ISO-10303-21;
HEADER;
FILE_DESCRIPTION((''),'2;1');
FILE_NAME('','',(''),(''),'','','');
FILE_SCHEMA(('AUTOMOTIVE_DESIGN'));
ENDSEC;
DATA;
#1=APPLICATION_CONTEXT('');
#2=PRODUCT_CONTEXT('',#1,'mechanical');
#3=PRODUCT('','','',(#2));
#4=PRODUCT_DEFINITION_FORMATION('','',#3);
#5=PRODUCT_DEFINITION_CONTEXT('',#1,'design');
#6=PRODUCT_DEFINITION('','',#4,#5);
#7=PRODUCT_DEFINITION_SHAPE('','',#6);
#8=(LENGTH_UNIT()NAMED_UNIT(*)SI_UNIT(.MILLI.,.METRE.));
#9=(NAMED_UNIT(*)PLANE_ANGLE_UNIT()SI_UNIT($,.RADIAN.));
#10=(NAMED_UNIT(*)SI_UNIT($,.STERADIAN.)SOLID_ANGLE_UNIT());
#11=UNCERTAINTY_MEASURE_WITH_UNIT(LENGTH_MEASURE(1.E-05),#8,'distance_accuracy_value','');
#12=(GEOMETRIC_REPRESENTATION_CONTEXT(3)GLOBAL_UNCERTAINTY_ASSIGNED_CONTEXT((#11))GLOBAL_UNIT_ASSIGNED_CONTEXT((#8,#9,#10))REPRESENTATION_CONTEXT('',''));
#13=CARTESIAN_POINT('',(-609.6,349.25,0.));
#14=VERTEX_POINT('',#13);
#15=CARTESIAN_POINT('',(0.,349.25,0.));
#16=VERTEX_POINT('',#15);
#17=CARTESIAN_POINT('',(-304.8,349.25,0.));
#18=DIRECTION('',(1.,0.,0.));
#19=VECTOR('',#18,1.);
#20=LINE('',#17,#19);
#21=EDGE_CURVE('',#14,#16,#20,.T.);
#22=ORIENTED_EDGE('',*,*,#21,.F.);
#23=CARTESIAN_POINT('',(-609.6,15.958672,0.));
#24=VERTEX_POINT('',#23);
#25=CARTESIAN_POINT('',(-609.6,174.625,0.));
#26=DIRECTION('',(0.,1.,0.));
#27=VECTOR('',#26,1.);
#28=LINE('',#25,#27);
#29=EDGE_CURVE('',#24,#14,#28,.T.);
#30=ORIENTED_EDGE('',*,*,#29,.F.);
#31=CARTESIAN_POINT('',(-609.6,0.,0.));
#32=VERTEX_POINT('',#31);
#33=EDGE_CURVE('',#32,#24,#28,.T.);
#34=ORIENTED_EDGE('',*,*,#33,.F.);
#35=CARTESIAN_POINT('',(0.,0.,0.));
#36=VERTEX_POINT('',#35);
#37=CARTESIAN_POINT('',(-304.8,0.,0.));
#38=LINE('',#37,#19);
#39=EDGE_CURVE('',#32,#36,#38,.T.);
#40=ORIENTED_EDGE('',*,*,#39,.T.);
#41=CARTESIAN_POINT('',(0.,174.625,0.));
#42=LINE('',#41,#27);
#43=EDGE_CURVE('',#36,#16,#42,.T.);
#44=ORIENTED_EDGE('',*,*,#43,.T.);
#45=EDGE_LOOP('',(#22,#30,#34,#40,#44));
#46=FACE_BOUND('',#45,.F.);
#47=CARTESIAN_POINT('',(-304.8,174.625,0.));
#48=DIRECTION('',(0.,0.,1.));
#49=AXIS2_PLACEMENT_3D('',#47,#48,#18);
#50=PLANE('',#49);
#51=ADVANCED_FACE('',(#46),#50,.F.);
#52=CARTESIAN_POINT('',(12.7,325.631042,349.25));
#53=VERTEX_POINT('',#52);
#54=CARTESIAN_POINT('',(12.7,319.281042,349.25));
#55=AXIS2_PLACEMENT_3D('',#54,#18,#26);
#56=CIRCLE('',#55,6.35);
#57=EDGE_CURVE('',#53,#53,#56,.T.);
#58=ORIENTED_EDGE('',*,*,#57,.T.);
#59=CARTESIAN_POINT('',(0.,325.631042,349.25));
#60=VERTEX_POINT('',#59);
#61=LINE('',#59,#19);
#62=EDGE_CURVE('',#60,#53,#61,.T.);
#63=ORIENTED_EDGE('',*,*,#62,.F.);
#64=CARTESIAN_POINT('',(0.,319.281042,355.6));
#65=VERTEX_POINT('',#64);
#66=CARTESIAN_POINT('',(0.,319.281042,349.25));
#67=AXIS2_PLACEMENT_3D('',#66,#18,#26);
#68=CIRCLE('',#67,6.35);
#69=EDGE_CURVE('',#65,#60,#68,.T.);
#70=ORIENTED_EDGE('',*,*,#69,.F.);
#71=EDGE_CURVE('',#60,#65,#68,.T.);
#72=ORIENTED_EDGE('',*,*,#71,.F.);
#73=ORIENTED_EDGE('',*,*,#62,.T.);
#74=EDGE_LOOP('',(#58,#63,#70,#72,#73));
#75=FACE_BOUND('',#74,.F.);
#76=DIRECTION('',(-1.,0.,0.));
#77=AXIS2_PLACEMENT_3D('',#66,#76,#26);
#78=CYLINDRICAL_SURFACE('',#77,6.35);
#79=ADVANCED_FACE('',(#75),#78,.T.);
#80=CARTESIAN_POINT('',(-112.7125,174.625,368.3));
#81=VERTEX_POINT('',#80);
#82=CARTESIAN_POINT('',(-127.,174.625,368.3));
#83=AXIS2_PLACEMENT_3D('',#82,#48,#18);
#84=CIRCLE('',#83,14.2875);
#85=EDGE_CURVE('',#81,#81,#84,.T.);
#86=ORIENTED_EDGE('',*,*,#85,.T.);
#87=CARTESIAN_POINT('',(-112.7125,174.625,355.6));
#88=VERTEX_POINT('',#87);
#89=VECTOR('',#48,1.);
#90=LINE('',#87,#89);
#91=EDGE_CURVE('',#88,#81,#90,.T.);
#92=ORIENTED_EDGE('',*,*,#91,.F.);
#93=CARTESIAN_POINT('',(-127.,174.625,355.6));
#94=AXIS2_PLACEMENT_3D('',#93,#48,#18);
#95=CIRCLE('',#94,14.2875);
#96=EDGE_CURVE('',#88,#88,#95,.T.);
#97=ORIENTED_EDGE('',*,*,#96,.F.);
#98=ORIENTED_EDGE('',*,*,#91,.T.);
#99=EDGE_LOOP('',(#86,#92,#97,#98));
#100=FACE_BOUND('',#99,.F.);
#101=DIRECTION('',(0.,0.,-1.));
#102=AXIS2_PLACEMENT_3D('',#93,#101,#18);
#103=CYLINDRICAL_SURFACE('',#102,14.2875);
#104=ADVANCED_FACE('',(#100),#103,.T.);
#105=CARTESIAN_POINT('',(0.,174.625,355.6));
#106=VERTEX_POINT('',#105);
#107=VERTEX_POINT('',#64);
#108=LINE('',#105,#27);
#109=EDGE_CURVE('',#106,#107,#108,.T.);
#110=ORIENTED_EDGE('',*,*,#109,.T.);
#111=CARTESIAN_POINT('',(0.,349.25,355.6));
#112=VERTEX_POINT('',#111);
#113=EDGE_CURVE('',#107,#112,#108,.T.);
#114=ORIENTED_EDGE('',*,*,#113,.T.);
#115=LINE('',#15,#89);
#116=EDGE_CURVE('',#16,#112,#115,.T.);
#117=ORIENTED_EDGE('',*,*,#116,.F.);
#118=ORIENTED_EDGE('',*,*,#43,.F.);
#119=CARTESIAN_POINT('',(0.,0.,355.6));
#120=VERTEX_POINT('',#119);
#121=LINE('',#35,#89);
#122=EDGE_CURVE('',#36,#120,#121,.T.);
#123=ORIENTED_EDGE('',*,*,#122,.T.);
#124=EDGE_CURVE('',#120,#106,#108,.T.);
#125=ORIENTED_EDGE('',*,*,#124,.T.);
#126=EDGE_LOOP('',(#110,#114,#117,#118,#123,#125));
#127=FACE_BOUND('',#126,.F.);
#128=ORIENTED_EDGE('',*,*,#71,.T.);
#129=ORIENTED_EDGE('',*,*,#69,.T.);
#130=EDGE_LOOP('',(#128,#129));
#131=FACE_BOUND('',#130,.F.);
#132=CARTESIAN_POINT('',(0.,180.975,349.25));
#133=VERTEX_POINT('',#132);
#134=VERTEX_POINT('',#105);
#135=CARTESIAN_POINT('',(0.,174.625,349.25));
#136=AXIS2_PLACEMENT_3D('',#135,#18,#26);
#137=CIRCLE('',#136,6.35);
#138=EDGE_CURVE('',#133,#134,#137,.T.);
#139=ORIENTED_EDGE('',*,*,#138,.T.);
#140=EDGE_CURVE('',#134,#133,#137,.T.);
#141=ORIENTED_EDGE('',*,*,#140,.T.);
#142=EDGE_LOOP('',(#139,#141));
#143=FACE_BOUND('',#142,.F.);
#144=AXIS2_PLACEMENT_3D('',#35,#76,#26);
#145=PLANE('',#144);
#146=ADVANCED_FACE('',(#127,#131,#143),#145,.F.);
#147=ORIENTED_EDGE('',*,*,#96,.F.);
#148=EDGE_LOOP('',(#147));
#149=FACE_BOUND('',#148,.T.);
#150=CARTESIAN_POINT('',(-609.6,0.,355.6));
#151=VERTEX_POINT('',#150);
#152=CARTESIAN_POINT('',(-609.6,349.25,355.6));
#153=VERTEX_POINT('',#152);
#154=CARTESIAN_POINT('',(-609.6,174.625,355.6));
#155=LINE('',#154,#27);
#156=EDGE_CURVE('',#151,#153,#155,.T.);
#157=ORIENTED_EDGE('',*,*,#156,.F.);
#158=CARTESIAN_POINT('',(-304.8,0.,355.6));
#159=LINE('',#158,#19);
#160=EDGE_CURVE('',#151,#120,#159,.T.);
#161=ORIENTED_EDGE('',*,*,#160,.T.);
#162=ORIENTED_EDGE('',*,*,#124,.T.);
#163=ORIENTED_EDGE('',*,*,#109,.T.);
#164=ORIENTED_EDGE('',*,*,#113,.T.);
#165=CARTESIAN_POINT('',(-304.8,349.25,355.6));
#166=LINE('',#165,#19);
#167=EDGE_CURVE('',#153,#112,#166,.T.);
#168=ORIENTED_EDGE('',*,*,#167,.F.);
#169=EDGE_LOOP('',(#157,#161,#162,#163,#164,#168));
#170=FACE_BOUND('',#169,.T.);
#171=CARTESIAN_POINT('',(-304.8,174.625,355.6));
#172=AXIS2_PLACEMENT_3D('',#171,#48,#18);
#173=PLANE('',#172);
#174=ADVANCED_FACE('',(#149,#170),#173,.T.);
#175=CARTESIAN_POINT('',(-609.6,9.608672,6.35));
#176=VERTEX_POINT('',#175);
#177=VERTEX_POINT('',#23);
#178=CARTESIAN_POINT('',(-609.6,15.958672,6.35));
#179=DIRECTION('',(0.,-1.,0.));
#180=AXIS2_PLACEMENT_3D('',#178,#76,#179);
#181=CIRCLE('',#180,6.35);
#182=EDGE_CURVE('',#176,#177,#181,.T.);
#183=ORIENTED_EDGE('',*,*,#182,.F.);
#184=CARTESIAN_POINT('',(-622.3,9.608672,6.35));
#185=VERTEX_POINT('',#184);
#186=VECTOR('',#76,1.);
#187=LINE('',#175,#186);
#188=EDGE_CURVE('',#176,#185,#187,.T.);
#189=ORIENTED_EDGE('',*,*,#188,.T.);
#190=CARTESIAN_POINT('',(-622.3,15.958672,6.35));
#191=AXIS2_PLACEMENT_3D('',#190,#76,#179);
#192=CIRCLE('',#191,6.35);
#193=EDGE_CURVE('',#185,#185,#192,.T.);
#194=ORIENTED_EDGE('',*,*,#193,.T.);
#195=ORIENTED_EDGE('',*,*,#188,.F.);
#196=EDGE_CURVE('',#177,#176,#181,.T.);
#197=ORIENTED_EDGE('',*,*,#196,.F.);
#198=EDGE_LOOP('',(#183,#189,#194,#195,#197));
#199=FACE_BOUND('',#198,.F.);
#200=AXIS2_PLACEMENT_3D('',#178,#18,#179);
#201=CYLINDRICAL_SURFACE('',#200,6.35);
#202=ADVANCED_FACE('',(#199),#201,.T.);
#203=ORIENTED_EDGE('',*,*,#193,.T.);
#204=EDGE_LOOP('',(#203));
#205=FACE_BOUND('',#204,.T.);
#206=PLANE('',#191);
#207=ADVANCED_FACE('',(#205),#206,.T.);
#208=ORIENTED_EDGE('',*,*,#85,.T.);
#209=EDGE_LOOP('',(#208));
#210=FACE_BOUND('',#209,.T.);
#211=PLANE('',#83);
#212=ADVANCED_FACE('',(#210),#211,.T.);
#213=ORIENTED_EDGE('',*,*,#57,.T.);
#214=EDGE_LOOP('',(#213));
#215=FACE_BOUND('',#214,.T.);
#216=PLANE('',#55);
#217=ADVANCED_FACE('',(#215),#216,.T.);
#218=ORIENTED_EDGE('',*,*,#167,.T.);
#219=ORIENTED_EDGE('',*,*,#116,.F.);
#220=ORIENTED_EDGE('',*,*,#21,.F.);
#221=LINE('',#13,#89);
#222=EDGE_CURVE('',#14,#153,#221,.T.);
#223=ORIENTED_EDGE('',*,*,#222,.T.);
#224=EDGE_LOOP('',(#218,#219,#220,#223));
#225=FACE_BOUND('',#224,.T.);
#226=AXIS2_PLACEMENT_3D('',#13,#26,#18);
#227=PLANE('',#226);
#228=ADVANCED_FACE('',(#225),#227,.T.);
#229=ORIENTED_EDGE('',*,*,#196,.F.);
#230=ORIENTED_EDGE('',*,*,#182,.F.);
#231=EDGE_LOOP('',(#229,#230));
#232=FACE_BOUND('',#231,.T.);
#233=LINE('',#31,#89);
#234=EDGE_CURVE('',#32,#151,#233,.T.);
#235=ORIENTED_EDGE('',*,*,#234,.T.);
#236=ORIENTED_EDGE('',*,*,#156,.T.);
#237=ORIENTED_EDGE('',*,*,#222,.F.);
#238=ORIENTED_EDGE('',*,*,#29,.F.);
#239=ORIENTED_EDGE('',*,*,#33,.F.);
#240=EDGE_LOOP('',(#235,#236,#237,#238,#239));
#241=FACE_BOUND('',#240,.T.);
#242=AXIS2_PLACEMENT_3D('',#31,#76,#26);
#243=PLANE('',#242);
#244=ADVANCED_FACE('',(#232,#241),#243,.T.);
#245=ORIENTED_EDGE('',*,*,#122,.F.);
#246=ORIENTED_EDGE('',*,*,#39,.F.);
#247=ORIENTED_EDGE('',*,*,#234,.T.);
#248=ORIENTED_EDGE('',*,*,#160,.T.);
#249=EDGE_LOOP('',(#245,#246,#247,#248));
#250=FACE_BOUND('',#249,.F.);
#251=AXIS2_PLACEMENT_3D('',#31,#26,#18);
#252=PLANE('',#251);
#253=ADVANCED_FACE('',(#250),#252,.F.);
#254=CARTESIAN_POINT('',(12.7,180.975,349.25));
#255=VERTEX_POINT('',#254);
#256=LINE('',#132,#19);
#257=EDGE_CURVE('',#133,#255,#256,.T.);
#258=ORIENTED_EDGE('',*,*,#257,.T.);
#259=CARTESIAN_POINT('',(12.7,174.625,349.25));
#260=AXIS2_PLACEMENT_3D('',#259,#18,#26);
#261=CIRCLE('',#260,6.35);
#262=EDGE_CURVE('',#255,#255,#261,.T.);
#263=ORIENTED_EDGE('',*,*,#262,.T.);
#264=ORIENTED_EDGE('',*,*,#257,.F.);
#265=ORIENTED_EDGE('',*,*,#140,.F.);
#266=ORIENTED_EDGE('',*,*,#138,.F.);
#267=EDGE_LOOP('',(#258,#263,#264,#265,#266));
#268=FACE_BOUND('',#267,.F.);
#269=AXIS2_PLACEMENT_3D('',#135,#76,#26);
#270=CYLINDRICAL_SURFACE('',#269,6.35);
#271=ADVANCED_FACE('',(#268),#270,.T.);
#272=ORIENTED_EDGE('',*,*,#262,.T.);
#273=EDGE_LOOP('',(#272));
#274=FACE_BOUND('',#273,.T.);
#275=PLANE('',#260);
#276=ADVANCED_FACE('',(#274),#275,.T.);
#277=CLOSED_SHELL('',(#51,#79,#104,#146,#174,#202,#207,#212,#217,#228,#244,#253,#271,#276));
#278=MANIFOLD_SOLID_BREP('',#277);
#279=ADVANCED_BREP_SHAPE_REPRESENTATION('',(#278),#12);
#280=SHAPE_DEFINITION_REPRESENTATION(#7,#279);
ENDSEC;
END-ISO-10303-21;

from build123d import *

# Parameters (mm, degrees)
F0_W     = 609.6
F0_H     = 349.25
F1_DEPTH = 355.6
F3_DEPTH = 12.7
F4_R     = 6.35
F5_DEPTH = 12.7
F6_R     = 6.35
F7_DEPTH = 12.7


with BuildPart() as f1:
    # F0 (on Top) → F1 (new body)
    with BuildSketch(Plane.XY):
        with Locations((-304.8, 174.625)):
            Rectangle(F0_W, F0_H)
    extrude(amount=F1_DEPTH)

    # F2 (on face) → F3 (join)
    with BuildSketch(Plane.XY.offset(355.6)):
        with BuildLine():
            ThreePointArc((-141.2875, 174.625), (-127, 160.3375), (-112.7125, 174.625))
            ThreePointArc((-112.7125, 174.625), (-127, 188.9125), (-141.2875, 174.625))
        make_face()
    extrude(amount=F3_DEPTH)

    # F4 (on face) → F5 (join)
    with BuildSketch(Plane.YZ):
        with Locations((174.625, 349.25)):
            Circle(F4_R)
        with Locations((319.281042, 349.25)):
            Circle(F4_R)
    extrude(amount=F5_DEPTH)

    # F6 (on face) → F7 (join)
    with BuildSketch(Plane(origin=(-609.6, 0, 0), x_dir=(0, -1, 0), z_dir=(-1, 0, 0))):
        with Locations((-15.958672, 6.35)):
            Circle(F6_R)
    extrude(amount=F7_DEPTH)


solid = f1.part
